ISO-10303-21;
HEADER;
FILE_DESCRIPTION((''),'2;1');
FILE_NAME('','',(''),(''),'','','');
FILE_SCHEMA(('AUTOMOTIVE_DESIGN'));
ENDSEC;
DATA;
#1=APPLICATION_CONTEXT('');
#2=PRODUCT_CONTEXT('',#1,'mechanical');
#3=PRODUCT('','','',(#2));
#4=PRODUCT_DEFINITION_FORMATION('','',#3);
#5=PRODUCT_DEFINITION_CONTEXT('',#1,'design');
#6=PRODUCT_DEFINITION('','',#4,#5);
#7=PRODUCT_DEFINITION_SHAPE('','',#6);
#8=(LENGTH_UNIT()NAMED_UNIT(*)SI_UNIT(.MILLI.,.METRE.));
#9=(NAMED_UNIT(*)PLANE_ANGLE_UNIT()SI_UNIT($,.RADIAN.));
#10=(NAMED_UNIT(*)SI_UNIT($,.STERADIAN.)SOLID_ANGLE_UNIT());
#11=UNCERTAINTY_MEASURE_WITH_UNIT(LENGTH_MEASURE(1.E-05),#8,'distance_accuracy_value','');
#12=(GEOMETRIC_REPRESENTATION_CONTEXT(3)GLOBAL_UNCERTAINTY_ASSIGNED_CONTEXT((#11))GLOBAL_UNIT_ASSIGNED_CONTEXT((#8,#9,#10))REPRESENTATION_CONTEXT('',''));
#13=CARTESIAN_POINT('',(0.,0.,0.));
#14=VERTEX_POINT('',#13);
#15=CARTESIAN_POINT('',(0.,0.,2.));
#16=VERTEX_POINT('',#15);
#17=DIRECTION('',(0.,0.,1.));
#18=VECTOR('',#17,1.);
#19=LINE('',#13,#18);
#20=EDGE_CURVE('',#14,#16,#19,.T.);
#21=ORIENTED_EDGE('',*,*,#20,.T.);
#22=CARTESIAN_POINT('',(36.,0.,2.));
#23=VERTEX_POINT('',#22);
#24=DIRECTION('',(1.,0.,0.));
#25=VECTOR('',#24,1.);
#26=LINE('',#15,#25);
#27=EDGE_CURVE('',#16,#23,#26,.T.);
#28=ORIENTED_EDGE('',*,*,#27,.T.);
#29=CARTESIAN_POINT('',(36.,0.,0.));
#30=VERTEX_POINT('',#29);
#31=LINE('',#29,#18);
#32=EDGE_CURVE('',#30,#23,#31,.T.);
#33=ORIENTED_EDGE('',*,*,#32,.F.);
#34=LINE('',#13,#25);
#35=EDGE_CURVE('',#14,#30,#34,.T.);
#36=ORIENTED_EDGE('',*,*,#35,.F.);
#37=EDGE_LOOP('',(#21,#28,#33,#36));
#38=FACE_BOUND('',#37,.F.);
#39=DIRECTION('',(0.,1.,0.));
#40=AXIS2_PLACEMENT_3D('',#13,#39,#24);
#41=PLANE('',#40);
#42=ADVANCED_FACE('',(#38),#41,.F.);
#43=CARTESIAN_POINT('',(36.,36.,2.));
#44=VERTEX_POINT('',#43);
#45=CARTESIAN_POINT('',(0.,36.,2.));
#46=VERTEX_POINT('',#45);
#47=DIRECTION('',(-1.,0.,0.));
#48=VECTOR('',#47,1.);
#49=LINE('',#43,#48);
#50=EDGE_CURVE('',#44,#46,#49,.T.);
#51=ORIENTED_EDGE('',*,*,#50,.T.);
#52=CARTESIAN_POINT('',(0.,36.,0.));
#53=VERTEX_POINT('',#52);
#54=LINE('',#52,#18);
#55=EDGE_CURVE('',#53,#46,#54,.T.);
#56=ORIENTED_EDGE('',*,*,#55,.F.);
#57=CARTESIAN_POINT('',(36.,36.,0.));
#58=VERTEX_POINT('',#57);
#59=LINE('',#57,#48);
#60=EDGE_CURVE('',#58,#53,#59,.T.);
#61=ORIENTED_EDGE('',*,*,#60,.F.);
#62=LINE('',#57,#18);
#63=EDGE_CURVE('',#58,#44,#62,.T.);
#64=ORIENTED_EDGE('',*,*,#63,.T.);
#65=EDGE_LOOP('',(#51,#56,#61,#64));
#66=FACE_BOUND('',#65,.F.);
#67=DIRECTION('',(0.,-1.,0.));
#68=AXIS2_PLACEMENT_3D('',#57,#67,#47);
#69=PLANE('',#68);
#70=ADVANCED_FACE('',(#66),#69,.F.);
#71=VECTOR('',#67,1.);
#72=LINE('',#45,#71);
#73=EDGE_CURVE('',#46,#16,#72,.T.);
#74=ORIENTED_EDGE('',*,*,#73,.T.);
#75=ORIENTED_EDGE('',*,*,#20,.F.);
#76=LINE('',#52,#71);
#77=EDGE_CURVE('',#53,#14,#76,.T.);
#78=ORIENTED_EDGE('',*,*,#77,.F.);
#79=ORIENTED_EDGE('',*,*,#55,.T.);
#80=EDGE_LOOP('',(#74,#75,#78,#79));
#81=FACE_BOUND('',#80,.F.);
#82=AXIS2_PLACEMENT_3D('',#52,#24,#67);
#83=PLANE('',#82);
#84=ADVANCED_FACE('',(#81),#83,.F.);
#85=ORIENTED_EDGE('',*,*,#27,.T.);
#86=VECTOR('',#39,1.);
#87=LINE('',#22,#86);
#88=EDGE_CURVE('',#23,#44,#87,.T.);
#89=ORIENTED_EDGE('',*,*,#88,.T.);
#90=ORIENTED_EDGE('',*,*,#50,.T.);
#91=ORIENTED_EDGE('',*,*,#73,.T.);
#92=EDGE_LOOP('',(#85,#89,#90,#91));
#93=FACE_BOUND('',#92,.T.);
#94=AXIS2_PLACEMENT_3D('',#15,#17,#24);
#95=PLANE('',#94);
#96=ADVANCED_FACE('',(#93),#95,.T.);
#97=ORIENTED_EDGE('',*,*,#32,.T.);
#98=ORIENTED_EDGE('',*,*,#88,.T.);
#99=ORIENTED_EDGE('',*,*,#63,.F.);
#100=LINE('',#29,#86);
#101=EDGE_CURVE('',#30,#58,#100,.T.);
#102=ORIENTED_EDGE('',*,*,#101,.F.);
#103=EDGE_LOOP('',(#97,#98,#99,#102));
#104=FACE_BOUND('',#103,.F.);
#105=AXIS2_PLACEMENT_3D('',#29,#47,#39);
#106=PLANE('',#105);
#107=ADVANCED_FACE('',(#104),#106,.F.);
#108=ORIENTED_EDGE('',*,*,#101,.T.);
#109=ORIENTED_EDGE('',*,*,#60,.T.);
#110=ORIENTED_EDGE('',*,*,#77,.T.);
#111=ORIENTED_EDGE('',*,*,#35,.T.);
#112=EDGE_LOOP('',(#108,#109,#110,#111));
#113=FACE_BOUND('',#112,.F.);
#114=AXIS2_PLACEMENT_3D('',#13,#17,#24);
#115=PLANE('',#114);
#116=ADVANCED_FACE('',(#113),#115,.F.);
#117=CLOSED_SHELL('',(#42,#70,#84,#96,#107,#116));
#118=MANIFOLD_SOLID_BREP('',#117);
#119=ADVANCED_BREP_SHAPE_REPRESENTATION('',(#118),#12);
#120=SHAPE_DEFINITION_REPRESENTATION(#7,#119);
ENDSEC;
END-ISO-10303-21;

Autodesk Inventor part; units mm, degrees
ref_plane "YZ Plane" through (0, 0, 0) normal (1, 0, 0) x (0, 1, 0)
ref_plane "XZ Plane" through (0, 0, 0) normal (0, 1, 0) x (-1, 0, 0)
ref_plane "XY Plane" through (0, 0, 0) normal (0, 0, 1) x (1, 0, 0)
sketch "Sketch1" plane through (0, 0, 0) normal (0, 0, 1) x (1, 0, 0)
  line L0 (0, 0) -> (36, 0)
  line L1 (36, 0) -> (36, 36)
  line L2 (36, 36) -> (0, 36)
  line L3 (0, 36) -> (0, 0)
  dimension "d0" = 36
  dimension "d1" = 36
extrude "Extrusion1" add sketch "Sketch1" along normal blind 2
properties part number "Zijplaat 1"
